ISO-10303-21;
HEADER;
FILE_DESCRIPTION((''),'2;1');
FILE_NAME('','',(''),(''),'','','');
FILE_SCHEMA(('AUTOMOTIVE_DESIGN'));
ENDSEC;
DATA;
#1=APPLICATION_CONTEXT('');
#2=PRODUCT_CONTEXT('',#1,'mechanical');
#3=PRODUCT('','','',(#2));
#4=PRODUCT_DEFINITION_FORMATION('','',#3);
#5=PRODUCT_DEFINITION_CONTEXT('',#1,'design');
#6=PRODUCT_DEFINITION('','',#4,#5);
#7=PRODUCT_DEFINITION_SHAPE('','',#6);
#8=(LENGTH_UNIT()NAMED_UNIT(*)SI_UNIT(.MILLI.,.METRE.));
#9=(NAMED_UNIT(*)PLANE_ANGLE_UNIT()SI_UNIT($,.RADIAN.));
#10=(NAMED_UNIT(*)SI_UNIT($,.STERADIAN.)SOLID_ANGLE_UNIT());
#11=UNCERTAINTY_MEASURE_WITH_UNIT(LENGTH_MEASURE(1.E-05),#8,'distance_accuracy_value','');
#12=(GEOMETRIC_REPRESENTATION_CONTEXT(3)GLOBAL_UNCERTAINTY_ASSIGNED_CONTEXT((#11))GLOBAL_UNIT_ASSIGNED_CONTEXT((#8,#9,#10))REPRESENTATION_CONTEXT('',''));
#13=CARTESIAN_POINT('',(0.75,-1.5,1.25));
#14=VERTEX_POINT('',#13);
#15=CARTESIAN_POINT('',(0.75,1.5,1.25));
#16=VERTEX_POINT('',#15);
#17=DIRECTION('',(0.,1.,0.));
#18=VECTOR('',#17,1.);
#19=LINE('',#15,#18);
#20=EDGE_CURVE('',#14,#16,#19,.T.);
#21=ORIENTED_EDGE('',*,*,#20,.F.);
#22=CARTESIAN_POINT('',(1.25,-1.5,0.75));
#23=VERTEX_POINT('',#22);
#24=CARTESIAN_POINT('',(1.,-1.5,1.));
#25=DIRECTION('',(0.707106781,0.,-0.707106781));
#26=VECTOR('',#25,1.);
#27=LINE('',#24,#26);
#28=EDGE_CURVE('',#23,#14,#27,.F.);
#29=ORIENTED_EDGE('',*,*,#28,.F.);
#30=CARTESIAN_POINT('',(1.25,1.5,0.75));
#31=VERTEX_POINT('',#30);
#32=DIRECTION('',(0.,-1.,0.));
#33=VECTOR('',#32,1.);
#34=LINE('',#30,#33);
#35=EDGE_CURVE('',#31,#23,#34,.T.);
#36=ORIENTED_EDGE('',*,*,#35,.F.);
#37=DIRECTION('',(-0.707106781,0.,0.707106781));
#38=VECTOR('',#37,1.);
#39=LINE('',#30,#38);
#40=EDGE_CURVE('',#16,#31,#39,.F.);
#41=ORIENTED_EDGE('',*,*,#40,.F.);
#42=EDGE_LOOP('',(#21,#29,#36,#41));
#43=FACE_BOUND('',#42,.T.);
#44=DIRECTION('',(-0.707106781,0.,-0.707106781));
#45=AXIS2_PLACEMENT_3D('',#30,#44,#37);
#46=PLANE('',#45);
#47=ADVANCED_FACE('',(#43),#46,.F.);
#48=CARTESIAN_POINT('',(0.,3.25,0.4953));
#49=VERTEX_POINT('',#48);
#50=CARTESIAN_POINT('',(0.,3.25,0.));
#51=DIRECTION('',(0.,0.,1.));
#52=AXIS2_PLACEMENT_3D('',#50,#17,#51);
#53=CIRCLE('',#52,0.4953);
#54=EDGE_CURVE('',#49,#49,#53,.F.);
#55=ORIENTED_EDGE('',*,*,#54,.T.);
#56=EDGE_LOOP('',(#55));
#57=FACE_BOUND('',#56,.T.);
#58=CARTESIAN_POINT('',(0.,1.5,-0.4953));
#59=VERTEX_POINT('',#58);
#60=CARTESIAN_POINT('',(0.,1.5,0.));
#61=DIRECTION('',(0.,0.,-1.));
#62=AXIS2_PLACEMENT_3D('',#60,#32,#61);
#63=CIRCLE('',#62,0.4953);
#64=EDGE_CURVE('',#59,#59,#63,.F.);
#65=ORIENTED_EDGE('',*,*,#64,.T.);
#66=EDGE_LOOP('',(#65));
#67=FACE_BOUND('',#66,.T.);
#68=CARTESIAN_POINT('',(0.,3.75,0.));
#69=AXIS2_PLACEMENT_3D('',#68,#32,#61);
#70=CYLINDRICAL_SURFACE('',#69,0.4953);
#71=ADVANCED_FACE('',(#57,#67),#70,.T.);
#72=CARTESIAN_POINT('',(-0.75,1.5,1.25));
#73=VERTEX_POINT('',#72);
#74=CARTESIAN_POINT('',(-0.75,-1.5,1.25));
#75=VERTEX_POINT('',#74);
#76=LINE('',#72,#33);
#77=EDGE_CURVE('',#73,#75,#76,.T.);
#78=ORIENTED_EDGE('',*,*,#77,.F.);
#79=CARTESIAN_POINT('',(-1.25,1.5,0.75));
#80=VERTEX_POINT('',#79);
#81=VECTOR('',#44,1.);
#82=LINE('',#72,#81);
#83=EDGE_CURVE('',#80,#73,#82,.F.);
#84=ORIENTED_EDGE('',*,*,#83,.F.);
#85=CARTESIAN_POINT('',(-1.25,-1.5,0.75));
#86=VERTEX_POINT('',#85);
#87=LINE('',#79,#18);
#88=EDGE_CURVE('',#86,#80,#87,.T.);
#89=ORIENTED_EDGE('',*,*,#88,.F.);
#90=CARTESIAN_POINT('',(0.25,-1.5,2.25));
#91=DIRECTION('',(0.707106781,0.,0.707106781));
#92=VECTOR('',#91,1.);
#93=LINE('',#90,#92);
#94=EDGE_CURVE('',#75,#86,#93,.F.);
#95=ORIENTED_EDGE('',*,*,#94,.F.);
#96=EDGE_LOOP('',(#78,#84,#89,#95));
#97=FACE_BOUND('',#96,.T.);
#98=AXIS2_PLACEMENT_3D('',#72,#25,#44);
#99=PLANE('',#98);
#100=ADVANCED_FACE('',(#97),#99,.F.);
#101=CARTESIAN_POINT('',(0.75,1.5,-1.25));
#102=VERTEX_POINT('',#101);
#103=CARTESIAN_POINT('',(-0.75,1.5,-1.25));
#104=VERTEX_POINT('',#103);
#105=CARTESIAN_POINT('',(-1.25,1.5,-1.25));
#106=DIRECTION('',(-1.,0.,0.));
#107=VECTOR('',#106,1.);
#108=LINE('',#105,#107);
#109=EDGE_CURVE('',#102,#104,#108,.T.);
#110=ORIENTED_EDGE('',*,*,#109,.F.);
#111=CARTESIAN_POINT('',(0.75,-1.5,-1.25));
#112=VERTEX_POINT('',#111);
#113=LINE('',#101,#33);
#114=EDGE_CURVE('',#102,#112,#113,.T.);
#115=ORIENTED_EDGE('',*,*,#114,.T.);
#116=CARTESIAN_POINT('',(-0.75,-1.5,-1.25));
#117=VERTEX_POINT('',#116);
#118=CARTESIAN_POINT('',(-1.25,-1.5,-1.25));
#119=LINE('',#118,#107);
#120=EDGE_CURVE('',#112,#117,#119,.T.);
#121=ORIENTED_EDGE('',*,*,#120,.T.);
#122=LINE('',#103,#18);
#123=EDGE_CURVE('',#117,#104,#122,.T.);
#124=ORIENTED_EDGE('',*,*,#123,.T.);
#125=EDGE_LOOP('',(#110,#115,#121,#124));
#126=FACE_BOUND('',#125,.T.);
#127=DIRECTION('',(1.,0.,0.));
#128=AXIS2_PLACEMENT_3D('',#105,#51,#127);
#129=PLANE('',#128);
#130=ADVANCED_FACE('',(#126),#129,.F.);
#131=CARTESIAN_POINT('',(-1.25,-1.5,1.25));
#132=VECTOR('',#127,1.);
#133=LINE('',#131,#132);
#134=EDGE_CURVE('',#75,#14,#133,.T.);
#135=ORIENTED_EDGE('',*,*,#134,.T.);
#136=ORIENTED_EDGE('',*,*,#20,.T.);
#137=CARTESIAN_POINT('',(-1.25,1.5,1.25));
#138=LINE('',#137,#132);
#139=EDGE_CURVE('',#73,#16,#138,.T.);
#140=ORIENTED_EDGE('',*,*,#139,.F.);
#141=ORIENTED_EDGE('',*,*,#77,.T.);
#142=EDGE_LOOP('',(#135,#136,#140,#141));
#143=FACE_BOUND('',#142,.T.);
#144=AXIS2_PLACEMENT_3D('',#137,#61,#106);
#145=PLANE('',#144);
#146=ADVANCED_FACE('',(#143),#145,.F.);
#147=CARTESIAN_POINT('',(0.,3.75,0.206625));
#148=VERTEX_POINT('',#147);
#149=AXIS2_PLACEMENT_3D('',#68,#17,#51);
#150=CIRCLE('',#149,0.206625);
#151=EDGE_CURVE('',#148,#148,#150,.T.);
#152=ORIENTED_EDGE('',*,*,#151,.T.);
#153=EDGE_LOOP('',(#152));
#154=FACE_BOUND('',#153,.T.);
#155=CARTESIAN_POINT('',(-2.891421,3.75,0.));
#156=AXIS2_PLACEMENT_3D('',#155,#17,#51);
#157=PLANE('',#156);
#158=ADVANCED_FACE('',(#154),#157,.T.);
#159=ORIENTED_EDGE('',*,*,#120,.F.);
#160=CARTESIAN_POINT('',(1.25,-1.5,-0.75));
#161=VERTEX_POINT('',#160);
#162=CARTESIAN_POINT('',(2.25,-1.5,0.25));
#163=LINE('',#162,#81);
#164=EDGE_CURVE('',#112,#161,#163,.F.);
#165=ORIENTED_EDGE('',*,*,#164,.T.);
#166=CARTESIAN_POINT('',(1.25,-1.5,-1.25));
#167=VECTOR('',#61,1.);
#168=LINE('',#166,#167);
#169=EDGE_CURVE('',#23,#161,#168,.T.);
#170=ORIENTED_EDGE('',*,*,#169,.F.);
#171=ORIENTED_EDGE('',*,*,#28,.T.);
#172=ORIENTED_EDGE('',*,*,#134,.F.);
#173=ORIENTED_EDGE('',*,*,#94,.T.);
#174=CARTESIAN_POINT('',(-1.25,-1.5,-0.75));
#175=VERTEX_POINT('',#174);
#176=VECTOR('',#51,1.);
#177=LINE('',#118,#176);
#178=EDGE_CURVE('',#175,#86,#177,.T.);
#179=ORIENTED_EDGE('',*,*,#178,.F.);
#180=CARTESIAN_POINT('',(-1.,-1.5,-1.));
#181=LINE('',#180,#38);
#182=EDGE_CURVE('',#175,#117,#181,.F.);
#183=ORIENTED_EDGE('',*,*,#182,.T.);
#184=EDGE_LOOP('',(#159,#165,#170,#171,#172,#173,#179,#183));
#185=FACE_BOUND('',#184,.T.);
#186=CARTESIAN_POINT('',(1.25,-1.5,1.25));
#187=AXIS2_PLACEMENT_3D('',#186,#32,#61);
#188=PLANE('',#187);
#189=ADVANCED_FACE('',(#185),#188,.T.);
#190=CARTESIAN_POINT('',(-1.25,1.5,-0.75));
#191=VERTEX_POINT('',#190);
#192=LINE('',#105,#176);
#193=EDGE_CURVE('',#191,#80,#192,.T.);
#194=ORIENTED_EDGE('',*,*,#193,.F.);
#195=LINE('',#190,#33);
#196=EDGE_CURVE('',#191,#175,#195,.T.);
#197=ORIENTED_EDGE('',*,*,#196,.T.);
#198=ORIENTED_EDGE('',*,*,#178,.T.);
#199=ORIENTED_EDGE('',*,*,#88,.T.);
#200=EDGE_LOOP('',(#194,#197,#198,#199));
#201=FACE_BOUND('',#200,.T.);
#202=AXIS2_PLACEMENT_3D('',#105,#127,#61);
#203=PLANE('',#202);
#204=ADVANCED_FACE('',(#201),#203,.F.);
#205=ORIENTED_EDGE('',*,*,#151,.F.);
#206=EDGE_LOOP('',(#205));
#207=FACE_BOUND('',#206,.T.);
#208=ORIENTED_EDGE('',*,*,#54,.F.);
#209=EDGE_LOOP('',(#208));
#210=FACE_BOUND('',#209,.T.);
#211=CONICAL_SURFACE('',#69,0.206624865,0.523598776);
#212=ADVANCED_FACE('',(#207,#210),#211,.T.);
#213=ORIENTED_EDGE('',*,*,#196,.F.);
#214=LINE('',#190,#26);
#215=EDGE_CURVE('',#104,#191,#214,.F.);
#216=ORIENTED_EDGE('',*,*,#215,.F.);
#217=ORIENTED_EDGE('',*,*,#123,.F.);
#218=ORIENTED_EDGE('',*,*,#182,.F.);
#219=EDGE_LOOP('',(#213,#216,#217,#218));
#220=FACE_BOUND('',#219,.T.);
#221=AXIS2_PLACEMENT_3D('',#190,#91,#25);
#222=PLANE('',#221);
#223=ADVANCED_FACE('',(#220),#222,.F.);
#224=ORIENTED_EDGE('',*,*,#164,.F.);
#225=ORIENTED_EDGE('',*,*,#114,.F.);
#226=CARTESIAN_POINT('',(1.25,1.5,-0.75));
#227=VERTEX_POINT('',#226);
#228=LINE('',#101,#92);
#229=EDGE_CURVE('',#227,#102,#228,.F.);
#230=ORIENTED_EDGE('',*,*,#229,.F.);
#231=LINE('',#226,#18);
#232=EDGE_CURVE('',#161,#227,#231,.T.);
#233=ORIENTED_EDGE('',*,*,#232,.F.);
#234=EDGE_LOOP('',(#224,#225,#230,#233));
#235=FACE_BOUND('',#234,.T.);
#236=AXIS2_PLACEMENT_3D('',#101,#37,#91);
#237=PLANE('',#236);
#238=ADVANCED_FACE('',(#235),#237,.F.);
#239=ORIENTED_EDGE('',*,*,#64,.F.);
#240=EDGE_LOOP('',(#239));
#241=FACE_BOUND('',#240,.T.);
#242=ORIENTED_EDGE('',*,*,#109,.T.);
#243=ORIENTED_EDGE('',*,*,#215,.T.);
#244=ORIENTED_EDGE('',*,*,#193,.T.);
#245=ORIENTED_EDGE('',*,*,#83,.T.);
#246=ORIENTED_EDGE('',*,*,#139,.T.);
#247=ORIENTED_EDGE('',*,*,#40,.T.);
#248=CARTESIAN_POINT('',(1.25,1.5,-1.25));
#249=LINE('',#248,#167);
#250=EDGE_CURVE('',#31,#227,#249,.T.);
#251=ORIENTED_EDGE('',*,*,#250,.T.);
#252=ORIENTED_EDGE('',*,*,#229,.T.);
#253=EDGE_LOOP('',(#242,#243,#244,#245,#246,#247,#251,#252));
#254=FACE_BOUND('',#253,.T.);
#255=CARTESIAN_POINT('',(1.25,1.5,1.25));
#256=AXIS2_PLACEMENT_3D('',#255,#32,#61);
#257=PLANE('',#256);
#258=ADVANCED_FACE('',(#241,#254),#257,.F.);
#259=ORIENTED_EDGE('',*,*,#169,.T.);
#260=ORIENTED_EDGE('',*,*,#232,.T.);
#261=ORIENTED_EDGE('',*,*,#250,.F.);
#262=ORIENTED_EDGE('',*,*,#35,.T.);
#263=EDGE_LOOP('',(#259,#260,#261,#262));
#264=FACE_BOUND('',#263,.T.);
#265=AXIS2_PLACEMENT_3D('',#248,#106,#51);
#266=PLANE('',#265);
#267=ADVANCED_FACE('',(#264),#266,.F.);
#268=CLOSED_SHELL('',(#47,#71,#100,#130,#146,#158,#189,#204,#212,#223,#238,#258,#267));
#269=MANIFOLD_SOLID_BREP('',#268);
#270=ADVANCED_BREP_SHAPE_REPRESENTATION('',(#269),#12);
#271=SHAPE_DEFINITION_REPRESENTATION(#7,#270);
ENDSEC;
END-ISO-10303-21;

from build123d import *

# Parameters (mm, degrees)
SKETCH1_W           = 2.5
SKETCH1_H           = 2.5
BOSS_EXTRUDE1_DEPTH = 1.5
SKETCH2_R           = 0.4953
BOSS_EXTRUDE2_DEPTH = 2.25
CHAMFER1_SIZE       = 0.5
CHAMFER1_SIZE2      = 0.288675135
CHAMFER2_SIZE       = 0.5


with BuildPart() as part:
    # Sketch1 → Boss-Extrude1 (new body, symmetric)
    with BuildSketch(Plane(origin=(0, 0, 0), x_dir=(1, 0, 0), z_dir=(0, 1, 0))):
        Rectangle(SKETCH1_W, SKETCH1_H)
    extrude(amount=BOSS_EXTRUDE1_DEPTH, both=True)

    # Sketch2 → Boss-Extrude2 (add)
    with BuildSketch(Plane(origin=(0, 1.5, 0), x_dir=(1, 0, 0), z_dir=(0, 1, 0))):
        Circle(SKETCH2_R)
    extrude(amount=BOSS_EXTRUDE2_DEPTH)

    # Chamfer1
    chamfer1_edges = [part.edges().sort_by_distance(p)[0] for p in [
        (-0.4953, 3.75, 0),
    ]]
    chamfer1_side = [part.faces().sort_by_distance(p)[0] for p in [
        (-0.4953, 2.625, 0),
    ]]
    chamfer(chamfer1_edges, length=CHAMFER1_SIZE, length2=CHAMFER1_SIZE2, reference=chamfer1_side[0])

    # Chamfer2
    chamfer2_edges = [part.edges().sort_by_distance(p)[0] for p in [
        (-1.25, 0, 1.25),
        (-1.25, 0, -1.25),
        (1.25, 0, -1.25),
        (1.25, 0, 1.25),
    ]]
    chamfer(chamfer2_edges, length=CHAMFER2_SIZE)


solid = part.part
